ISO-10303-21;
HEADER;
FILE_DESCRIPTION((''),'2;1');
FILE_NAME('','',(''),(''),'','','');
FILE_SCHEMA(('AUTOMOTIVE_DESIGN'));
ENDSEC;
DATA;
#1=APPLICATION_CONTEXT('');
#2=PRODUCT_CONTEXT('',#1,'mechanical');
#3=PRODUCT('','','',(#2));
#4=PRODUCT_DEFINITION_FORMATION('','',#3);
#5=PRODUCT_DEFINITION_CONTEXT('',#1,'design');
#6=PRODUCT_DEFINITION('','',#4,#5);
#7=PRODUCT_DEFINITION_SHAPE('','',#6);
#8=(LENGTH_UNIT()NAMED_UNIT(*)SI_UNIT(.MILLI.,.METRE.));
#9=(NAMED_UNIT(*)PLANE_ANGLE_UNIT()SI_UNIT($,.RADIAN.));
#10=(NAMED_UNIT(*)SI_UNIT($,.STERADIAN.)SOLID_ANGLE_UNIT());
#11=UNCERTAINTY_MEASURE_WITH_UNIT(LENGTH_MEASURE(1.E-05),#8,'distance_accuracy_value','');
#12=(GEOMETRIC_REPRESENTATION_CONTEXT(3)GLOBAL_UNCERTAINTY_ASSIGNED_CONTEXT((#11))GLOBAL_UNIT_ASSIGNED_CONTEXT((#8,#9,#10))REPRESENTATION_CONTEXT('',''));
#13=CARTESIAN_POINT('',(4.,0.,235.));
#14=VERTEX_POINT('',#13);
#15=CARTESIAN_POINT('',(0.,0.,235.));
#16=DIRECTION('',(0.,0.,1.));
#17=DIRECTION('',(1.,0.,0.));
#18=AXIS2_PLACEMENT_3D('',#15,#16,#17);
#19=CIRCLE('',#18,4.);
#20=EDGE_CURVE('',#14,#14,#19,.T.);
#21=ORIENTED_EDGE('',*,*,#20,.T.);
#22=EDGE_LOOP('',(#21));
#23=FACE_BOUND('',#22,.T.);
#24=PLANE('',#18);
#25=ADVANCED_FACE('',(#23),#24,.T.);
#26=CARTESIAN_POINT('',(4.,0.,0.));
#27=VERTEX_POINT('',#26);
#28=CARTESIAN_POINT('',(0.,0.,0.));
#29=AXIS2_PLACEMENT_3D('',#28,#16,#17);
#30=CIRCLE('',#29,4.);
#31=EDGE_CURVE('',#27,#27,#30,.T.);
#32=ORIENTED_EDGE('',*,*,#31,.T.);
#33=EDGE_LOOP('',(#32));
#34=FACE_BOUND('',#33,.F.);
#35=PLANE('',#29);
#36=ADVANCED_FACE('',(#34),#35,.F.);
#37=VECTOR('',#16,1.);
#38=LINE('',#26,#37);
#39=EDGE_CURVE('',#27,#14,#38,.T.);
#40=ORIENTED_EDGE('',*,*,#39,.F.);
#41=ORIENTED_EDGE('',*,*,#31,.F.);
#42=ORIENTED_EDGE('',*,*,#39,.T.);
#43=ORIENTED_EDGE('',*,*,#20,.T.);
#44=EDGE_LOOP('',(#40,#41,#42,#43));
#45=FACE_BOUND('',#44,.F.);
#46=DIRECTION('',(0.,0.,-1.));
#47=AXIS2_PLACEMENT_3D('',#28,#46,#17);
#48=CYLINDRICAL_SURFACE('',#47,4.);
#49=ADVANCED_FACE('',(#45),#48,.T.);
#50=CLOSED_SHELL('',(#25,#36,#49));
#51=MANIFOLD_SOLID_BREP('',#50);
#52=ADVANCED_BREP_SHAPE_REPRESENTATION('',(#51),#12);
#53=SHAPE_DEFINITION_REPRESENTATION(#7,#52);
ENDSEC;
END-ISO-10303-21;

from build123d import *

# Parameters (mm, degrees)
SKETCH_R  = 4
PAD_DEPTH = 235


with BuildPart() as part:
    # Sketch → Pad (new body)
    with BuildSketch(Plane.XY):
        Circle(SKETCH_R)
    extrude(amount=PAD_DEPTH)


solid = part.part
